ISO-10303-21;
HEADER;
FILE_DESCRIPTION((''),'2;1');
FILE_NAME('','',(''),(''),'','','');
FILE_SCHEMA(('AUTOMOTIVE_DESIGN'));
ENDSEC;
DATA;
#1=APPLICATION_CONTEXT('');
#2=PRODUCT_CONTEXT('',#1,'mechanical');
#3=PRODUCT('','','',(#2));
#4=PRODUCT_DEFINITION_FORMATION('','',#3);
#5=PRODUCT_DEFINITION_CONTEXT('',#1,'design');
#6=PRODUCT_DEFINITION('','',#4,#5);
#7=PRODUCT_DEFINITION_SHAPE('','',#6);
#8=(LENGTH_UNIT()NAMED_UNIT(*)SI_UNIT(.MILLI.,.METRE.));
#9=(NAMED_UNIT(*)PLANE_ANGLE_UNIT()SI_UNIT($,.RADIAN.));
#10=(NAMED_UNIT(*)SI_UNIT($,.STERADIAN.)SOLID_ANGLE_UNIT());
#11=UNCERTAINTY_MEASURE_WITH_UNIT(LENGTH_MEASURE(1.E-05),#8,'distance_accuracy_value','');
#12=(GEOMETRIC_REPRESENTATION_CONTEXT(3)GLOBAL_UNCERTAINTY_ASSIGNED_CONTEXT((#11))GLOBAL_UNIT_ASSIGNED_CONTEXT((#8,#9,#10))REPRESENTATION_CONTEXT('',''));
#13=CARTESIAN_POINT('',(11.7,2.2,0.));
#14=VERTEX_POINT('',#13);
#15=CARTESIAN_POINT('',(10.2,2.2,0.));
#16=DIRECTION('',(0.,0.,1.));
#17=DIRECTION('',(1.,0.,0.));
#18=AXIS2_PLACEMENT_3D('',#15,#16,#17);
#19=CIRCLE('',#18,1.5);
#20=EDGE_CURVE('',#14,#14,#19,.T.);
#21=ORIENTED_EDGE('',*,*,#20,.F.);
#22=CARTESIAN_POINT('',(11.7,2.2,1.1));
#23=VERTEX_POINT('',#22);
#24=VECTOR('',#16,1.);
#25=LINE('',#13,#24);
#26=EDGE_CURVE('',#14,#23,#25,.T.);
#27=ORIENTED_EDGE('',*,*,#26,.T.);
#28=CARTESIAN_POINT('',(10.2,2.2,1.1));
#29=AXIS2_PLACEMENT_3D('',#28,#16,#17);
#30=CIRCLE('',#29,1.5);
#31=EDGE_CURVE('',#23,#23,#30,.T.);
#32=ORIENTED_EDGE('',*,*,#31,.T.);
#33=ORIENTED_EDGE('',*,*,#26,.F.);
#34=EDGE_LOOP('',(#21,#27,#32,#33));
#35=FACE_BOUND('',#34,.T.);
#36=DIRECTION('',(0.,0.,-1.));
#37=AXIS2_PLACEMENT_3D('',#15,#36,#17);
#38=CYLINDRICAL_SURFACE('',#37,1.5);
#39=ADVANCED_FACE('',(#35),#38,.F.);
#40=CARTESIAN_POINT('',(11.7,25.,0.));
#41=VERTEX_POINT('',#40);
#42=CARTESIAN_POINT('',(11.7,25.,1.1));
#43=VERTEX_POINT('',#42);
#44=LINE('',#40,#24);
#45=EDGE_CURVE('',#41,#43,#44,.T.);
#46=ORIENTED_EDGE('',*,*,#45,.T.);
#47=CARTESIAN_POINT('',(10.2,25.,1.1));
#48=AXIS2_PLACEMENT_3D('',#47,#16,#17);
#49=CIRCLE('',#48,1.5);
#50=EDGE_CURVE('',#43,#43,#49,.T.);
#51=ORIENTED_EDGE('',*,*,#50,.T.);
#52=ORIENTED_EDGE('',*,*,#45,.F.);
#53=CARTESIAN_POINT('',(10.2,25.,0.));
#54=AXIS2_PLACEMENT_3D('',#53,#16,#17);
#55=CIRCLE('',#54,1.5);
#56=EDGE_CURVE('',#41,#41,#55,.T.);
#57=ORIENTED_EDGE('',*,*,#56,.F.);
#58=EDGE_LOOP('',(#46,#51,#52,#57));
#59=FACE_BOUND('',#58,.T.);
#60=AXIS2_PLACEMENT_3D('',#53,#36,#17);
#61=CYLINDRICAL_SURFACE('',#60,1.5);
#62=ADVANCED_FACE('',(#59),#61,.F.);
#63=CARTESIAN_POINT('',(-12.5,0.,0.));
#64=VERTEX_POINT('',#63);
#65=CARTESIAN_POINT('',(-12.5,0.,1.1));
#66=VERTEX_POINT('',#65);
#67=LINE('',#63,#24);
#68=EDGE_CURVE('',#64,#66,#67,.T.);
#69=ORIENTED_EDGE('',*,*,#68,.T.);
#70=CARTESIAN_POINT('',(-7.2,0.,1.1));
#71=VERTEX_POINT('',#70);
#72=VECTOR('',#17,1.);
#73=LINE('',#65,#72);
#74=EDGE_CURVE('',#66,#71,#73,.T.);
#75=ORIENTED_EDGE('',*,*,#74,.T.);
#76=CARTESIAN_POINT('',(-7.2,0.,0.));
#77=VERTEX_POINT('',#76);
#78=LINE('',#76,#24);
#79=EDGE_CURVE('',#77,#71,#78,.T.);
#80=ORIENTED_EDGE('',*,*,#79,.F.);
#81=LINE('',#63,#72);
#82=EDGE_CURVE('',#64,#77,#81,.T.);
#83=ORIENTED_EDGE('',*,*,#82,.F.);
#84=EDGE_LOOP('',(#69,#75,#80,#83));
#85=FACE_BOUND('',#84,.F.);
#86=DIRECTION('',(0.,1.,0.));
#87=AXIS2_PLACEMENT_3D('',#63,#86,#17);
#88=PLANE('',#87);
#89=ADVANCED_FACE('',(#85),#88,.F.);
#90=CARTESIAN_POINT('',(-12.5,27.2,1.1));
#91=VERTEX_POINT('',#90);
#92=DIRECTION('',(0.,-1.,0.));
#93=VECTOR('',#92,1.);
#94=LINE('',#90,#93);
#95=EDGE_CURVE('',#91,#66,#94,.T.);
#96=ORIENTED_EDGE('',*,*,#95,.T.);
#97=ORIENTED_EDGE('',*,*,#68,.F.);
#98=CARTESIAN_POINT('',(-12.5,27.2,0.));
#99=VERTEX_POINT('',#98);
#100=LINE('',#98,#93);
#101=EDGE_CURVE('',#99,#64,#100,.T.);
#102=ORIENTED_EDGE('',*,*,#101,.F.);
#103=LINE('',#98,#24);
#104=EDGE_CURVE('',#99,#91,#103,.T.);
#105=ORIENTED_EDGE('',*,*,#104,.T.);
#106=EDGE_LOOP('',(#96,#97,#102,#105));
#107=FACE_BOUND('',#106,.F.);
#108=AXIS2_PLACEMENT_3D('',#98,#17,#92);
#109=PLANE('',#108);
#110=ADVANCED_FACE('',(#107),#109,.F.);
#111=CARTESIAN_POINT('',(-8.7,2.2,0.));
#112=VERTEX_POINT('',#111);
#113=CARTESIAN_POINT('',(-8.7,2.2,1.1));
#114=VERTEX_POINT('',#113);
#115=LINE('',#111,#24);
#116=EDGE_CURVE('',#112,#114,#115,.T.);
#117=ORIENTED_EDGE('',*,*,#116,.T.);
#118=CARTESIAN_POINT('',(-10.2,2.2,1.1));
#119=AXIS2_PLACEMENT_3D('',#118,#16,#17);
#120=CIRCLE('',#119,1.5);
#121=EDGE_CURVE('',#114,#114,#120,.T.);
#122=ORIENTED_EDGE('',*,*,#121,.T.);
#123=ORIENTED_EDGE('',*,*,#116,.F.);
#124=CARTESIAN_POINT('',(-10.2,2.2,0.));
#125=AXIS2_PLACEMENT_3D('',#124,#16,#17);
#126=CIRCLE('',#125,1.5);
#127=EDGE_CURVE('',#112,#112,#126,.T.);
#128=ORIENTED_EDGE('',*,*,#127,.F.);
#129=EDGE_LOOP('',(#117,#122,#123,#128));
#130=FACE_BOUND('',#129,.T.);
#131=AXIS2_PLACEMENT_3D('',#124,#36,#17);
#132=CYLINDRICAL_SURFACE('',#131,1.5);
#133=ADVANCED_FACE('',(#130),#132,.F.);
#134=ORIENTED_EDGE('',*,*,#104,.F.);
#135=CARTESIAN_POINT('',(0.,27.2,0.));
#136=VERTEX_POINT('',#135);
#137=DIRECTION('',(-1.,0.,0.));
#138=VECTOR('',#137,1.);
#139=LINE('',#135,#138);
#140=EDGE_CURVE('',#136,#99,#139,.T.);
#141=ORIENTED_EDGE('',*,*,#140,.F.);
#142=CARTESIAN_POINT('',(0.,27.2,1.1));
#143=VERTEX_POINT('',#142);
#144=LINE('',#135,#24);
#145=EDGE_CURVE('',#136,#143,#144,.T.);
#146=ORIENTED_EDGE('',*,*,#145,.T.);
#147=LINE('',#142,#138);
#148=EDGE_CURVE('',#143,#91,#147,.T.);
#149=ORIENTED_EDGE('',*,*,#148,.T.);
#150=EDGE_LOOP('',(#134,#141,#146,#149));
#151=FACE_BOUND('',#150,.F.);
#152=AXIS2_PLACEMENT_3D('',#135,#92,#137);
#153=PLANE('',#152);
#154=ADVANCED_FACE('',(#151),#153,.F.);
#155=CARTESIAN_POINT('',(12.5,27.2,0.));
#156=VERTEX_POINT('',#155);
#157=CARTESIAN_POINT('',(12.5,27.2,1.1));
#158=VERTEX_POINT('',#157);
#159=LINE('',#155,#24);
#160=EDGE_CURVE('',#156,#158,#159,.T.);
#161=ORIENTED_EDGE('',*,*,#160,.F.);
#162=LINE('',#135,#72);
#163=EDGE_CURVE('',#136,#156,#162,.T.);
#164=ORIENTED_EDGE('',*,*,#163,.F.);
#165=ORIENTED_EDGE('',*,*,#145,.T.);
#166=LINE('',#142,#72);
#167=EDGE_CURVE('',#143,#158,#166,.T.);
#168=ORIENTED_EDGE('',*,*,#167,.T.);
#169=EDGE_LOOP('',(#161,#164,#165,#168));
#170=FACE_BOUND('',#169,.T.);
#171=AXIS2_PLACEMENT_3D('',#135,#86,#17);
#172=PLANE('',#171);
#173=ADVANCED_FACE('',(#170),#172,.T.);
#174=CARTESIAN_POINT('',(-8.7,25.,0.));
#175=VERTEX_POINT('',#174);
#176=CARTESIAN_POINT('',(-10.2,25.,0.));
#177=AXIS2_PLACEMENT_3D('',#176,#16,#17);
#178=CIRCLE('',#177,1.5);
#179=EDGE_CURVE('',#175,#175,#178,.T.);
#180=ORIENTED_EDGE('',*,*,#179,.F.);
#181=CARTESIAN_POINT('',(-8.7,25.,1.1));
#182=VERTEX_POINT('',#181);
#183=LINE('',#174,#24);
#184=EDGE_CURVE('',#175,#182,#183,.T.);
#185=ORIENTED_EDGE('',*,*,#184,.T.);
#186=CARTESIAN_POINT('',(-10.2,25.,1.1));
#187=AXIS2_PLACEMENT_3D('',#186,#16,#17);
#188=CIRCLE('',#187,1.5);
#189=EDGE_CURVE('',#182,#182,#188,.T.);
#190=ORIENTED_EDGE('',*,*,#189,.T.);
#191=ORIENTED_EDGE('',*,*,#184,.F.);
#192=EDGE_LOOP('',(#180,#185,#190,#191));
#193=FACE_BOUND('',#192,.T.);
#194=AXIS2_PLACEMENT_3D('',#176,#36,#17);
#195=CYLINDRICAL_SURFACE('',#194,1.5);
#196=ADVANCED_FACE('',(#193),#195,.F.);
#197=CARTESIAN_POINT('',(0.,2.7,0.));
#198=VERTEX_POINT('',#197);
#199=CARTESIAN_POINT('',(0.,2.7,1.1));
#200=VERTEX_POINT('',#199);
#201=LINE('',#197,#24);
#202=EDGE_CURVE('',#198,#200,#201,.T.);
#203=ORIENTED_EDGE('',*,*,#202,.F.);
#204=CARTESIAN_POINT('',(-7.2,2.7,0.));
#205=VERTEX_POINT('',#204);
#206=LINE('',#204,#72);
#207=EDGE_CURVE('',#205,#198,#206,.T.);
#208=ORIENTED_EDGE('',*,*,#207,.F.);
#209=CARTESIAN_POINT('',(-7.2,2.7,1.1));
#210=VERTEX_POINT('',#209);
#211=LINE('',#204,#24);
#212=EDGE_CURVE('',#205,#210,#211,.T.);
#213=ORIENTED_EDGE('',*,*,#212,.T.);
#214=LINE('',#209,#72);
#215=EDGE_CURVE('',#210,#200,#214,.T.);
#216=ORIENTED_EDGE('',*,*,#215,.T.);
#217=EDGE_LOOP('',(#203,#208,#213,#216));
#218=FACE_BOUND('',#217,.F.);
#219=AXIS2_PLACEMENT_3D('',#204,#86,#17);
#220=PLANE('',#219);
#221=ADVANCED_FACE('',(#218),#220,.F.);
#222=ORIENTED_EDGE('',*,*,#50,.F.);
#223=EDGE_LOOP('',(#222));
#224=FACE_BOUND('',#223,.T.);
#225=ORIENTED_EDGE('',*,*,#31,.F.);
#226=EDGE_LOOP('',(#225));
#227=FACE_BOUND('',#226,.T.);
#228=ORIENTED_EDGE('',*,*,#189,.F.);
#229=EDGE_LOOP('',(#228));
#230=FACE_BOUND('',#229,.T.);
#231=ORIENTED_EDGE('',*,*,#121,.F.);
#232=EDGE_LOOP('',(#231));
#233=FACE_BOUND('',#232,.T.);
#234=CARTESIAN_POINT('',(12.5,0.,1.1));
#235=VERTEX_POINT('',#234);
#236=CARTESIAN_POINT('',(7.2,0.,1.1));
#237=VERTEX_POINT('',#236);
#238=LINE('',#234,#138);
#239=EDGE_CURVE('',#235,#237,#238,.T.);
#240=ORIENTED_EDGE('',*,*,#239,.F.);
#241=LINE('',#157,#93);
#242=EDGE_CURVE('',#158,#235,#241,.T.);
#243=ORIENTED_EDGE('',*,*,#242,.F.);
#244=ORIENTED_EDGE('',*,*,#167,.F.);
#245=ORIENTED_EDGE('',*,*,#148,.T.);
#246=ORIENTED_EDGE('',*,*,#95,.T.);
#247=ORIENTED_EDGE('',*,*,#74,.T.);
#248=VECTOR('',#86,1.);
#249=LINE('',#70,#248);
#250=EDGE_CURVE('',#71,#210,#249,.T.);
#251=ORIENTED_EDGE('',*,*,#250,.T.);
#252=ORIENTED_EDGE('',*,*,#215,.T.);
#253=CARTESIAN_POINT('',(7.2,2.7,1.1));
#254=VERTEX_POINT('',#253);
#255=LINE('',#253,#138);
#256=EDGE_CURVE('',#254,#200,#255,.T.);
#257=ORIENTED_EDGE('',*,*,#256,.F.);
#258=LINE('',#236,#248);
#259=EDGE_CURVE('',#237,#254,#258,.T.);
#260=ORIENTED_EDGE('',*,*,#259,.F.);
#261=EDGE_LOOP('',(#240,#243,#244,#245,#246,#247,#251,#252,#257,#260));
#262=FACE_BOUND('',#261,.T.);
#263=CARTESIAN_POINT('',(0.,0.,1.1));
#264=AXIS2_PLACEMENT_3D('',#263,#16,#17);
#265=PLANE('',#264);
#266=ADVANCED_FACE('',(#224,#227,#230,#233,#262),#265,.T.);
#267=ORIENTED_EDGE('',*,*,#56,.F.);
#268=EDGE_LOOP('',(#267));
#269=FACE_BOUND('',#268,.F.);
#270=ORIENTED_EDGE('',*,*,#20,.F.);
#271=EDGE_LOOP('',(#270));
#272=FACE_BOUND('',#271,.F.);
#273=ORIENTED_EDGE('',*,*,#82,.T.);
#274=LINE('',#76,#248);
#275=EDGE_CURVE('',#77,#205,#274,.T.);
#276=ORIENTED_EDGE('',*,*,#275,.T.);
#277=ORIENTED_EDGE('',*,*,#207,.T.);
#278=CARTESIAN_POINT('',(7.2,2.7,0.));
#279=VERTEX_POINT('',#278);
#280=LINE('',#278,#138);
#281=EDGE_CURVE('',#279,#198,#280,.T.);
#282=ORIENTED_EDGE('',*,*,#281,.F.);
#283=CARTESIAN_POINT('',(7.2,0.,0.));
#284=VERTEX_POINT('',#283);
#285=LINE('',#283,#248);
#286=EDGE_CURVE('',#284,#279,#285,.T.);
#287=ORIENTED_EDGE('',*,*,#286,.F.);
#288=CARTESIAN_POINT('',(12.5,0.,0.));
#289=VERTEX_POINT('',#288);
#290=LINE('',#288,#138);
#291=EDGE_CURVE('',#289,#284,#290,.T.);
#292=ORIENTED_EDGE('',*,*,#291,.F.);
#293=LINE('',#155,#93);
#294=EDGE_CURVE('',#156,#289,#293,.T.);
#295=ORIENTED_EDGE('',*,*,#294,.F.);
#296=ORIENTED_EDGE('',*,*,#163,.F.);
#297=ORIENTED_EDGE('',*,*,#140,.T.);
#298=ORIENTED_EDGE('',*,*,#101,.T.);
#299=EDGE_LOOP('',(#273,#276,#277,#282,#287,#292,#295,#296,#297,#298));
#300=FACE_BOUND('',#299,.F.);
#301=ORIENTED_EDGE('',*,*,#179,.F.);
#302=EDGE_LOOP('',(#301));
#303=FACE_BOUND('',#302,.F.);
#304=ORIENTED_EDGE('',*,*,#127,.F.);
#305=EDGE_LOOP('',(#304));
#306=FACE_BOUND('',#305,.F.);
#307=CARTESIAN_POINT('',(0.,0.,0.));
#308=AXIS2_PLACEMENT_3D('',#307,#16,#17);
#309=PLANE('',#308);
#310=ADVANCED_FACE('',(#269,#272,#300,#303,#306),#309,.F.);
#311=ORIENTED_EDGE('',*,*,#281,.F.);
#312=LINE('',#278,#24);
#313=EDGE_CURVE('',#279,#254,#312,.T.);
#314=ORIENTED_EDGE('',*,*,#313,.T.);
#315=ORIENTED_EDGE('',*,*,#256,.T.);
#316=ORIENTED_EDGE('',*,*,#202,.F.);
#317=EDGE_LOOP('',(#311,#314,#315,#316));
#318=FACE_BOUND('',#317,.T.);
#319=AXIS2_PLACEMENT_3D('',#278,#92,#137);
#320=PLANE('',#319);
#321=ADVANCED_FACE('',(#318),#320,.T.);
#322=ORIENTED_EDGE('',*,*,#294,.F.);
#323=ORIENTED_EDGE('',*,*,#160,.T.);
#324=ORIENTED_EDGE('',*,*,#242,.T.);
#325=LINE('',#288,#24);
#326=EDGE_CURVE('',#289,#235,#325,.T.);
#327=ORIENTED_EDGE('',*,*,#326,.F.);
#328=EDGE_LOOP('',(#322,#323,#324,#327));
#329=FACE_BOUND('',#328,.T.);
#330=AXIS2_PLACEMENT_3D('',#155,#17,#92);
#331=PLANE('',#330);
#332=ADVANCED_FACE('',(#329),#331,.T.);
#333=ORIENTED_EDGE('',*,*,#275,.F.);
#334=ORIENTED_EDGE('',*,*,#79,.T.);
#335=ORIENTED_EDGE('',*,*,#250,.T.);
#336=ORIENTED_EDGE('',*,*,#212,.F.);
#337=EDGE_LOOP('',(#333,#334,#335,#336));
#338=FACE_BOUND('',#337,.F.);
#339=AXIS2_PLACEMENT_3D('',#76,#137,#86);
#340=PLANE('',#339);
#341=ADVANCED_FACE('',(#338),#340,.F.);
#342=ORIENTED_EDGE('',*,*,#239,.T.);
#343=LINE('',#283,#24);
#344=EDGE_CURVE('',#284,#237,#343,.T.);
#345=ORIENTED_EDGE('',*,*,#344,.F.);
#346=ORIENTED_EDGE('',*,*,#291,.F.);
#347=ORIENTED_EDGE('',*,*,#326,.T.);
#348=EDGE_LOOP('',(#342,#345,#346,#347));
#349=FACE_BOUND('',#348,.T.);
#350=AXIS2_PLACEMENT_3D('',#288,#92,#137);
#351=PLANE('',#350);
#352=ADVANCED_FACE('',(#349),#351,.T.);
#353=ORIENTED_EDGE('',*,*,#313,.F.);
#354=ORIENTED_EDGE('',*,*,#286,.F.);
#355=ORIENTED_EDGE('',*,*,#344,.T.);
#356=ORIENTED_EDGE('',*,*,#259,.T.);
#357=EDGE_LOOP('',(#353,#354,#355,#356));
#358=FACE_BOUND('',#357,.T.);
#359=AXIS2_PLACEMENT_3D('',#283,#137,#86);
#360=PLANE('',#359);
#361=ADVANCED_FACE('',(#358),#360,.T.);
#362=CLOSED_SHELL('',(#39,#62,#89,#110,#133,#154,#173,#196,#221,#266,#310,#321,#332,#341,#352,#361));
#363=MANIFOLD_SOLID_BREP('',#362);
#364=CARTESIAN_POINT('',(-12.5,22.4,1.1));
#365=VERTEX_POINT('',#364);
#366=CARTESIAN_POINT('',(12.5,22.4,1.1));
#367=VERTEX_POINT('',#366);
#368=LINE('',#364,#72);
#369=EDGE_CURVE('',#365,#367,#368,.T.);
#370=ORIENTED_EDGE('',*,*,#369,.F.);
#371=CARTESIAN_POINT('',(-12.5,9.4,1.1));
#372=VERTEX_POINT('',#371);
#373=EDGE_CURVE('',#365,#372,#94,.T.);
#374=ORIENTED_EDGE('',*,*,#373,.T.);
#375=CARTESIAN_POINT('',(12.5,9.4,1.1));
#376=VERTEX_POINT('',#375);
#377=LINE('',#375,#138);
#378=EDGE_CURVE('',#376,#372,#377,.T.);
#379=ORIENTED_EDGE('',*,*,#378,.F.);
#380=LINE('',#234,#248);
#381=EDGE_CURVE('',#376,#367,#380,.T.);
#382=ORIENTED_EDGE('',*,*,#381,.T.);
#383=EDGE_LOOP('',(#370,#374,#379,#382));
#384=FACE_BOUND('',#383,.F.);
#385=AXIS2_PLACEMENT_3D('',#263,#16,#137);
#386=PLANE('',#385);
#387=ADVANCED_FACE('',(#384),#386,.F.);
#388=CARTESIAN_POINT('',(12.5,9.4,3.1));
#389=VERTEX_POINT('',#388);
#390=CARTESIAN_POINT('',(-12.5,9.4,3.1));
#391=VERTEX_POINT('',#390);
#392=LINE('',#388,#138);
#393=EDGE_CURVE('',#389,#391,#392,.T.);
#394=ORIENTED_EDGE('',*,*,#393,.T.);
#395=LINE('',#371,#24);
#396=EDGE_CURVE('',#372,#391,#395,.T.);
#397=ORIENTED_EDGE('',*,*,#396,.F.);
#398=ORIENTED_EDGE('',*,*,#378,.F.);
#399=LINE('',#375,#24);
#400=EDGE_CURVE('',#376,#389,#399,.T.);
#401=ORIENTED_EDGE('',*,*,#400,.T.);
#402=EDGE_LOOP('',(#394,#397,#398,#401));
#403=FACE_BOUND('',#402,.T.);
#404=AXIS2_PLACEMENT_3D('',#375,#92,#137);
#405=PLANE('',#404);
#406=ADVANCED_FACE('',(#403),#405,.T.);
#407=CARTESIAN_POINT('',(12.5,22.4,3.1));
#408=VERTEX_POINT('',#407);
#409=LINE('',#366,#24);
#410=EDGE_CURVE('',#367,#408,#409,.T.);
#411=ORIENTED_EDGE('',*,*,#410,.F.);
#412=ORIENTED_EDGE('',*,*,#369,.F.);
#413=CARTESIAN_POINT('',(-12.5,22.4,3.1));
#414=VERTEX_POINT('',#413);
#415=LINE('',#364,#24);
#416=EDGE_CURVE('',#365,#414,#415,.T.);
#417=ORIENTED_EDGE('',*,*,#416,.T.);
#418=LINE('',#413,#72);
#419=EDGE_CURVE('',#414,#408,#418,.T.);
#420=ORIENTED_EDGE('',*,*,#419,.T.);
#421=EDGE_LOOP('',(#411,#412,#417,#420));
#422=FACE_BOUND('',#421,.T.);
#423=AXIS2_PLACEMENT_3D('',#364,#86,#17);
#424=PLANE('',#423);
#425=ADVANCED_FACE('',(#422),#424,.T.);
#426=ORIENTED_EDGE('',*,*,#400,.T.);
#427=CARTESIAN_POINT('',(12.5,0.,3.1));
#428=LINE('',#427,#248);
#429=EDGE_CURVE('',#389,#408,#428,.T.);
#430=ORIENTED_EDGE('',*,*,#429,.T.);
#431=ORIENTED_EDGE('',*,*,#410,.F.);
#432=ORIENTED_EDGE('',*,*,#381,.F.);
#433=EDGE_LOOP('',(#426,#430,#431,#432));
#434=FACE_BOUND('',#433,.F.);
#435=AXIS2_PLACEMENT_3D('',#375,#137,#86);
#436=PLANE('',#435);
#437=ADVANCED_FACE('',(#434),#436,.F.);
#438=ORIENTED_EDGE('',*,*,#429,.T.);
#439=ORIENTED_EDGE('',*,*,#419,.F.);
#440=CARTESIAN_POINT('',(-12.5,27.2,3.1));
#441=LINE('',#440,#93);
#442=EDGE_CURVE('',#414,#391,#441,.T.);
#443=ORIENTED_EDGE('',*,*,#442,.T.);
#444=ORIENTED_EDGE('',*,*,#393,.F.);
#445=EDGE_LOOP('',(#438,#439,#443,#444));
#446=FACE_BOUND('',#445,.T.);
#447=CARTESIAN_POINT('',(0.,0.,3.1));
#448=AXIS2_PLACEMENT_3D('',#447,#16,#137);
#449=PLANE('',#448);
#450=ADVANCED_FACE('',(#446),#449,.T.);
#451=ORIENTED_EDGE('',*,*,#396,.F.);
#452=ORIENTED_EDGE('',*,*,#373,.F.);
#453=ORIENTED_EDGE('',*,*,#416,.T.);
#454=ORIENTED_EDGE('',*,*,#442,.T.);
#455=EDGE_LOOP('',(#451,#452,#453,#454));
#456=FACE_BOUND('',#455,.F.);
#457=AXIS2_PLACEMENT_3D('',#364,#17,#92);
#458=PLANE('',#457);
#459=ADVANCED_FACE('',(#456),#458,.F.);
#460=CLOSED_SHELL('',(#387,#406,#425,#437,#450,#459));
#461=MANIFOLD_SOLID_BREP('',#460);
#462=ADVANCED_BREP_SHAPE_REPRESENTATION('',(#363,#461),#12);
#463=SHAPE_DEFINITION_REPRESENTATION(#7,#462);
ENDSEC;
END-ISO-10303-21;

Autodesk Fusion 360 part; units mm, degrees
sketch "Skizze1" plane through (0, 0, 0) normal (0, 0, 1) x (1, 0, 0) in component "board"
  line L0 (0, 0) -> (0, 67.6805) construction
  line L1 (0, 27.2) -> (-12.5, 27.2)
  line L2 (-12.5, 27.2) -> (-12.5, 0)
  line L3 (-12.5, 0) -> (-7.2, 0)
  line L4 (-7.2, 0) -> (-7.2, 2.7)
  line L5 (-7.2, 2.7) -> (0, 2.7)
  circle A0 centre (-10.2, 25) radius 1.5
  circle A1 centre (-10.2, 2.2) radius 1.5
  line L6 (12.5, 27.2) -> (12.5, 0)
  circle A2 centre (10.2, 25) radius 1.5
  circle A3 centre (10.2, 2.2) radius 1.5
  line L7 (12.5, 0) -> (7.2, 0)
  line L8 (7.2, 0) -> (7.2, 2.7)
  line L9 (7.2, 2.7) -> (0, 2.7)
  line L10 (0, 27.2) -> (12.5, 27.2)
  dimension "d1" = 12.5
  dimension "d2" = 27.2
  dimension "d3" = 5.3
  dimension "d4" = 2.7
  dimension "d5" = 3
  dimension "d6" = 2.2
  dimension "d7" = 2.3
  dimension "d8" = 3
  dimension "d9" = 2.3
  dimension "d10" = 2.2
extrude "Extrusion1" add sketch "Skizze1" along normal blind 1.1 makes body 1 in component "board"
sketch "Skizze1 (2)" plane through (0, 0, 1.1) normal (0, 0, 1) x (-1, 0, 0) in component "Component"
  circle A0 centre (-10.2, -2.2) radius 1.5
  circle A1 centre (10.2, -25) radius 1.5
  circle A2 centre (-10.2, -25) radius 1.5
  circle A3 centre (10.2, -2.2) radius 1.5
  line L0 (12.5, -27.2) -> (12.5, 0)
  line L1 (12.5, 0) -> (7.2, 0)
  line L2 (7.2, 0) -> (7.2, -2.7)
  line L3 (7.2, -2.7) -> (-7.2, -2.7)
  line L4 (-7.2, -2.7) -> (-7.2, 0)
  line L5 (-7.2, 0) -> (-12.5, 0)
  line L6 (-12.5, 0) -> (-12.5, -27.2)
  line L7 (-12.5, -27.2) -> (12.5, -27.2)
  line L8 (12.5, -22.4) -> (-12.5, -22.4)
  line L9 (-12.5, -22.4) -> (-12.5, -9.4)
  line L10 (-12.5, -9.4) -> (12.5, -9.4)
  line L11 (12.5, -9.4) -> (12.5, -22.4)
  dimension "d13" = 13
  dimension "d14" = 4.8
extrude "Extrusion1'" add sketch "Skizze1 (2)" along normal blind 2 separate body contours L0 L6 L8 L9 L10 L11 makes body 2 in component "Component"
component "board" placed x (1, 0, 0) y (0, 1, 0) z (0, 0, 1) at (0, 0, 0)
component "Component" placed x (1, 0, 0) y (0, 1, 0) z (0, 0, 1) at (0, 0, 0)
equation "d1 = ( 25 / 2 ) * 1 mm"
equation "d6 = d5 / 2 + 0.7 mm"
equation "d7 = d5 / 2 + 0.8 mm"
equation "d9 = d7"
equation "d10 = d6"
